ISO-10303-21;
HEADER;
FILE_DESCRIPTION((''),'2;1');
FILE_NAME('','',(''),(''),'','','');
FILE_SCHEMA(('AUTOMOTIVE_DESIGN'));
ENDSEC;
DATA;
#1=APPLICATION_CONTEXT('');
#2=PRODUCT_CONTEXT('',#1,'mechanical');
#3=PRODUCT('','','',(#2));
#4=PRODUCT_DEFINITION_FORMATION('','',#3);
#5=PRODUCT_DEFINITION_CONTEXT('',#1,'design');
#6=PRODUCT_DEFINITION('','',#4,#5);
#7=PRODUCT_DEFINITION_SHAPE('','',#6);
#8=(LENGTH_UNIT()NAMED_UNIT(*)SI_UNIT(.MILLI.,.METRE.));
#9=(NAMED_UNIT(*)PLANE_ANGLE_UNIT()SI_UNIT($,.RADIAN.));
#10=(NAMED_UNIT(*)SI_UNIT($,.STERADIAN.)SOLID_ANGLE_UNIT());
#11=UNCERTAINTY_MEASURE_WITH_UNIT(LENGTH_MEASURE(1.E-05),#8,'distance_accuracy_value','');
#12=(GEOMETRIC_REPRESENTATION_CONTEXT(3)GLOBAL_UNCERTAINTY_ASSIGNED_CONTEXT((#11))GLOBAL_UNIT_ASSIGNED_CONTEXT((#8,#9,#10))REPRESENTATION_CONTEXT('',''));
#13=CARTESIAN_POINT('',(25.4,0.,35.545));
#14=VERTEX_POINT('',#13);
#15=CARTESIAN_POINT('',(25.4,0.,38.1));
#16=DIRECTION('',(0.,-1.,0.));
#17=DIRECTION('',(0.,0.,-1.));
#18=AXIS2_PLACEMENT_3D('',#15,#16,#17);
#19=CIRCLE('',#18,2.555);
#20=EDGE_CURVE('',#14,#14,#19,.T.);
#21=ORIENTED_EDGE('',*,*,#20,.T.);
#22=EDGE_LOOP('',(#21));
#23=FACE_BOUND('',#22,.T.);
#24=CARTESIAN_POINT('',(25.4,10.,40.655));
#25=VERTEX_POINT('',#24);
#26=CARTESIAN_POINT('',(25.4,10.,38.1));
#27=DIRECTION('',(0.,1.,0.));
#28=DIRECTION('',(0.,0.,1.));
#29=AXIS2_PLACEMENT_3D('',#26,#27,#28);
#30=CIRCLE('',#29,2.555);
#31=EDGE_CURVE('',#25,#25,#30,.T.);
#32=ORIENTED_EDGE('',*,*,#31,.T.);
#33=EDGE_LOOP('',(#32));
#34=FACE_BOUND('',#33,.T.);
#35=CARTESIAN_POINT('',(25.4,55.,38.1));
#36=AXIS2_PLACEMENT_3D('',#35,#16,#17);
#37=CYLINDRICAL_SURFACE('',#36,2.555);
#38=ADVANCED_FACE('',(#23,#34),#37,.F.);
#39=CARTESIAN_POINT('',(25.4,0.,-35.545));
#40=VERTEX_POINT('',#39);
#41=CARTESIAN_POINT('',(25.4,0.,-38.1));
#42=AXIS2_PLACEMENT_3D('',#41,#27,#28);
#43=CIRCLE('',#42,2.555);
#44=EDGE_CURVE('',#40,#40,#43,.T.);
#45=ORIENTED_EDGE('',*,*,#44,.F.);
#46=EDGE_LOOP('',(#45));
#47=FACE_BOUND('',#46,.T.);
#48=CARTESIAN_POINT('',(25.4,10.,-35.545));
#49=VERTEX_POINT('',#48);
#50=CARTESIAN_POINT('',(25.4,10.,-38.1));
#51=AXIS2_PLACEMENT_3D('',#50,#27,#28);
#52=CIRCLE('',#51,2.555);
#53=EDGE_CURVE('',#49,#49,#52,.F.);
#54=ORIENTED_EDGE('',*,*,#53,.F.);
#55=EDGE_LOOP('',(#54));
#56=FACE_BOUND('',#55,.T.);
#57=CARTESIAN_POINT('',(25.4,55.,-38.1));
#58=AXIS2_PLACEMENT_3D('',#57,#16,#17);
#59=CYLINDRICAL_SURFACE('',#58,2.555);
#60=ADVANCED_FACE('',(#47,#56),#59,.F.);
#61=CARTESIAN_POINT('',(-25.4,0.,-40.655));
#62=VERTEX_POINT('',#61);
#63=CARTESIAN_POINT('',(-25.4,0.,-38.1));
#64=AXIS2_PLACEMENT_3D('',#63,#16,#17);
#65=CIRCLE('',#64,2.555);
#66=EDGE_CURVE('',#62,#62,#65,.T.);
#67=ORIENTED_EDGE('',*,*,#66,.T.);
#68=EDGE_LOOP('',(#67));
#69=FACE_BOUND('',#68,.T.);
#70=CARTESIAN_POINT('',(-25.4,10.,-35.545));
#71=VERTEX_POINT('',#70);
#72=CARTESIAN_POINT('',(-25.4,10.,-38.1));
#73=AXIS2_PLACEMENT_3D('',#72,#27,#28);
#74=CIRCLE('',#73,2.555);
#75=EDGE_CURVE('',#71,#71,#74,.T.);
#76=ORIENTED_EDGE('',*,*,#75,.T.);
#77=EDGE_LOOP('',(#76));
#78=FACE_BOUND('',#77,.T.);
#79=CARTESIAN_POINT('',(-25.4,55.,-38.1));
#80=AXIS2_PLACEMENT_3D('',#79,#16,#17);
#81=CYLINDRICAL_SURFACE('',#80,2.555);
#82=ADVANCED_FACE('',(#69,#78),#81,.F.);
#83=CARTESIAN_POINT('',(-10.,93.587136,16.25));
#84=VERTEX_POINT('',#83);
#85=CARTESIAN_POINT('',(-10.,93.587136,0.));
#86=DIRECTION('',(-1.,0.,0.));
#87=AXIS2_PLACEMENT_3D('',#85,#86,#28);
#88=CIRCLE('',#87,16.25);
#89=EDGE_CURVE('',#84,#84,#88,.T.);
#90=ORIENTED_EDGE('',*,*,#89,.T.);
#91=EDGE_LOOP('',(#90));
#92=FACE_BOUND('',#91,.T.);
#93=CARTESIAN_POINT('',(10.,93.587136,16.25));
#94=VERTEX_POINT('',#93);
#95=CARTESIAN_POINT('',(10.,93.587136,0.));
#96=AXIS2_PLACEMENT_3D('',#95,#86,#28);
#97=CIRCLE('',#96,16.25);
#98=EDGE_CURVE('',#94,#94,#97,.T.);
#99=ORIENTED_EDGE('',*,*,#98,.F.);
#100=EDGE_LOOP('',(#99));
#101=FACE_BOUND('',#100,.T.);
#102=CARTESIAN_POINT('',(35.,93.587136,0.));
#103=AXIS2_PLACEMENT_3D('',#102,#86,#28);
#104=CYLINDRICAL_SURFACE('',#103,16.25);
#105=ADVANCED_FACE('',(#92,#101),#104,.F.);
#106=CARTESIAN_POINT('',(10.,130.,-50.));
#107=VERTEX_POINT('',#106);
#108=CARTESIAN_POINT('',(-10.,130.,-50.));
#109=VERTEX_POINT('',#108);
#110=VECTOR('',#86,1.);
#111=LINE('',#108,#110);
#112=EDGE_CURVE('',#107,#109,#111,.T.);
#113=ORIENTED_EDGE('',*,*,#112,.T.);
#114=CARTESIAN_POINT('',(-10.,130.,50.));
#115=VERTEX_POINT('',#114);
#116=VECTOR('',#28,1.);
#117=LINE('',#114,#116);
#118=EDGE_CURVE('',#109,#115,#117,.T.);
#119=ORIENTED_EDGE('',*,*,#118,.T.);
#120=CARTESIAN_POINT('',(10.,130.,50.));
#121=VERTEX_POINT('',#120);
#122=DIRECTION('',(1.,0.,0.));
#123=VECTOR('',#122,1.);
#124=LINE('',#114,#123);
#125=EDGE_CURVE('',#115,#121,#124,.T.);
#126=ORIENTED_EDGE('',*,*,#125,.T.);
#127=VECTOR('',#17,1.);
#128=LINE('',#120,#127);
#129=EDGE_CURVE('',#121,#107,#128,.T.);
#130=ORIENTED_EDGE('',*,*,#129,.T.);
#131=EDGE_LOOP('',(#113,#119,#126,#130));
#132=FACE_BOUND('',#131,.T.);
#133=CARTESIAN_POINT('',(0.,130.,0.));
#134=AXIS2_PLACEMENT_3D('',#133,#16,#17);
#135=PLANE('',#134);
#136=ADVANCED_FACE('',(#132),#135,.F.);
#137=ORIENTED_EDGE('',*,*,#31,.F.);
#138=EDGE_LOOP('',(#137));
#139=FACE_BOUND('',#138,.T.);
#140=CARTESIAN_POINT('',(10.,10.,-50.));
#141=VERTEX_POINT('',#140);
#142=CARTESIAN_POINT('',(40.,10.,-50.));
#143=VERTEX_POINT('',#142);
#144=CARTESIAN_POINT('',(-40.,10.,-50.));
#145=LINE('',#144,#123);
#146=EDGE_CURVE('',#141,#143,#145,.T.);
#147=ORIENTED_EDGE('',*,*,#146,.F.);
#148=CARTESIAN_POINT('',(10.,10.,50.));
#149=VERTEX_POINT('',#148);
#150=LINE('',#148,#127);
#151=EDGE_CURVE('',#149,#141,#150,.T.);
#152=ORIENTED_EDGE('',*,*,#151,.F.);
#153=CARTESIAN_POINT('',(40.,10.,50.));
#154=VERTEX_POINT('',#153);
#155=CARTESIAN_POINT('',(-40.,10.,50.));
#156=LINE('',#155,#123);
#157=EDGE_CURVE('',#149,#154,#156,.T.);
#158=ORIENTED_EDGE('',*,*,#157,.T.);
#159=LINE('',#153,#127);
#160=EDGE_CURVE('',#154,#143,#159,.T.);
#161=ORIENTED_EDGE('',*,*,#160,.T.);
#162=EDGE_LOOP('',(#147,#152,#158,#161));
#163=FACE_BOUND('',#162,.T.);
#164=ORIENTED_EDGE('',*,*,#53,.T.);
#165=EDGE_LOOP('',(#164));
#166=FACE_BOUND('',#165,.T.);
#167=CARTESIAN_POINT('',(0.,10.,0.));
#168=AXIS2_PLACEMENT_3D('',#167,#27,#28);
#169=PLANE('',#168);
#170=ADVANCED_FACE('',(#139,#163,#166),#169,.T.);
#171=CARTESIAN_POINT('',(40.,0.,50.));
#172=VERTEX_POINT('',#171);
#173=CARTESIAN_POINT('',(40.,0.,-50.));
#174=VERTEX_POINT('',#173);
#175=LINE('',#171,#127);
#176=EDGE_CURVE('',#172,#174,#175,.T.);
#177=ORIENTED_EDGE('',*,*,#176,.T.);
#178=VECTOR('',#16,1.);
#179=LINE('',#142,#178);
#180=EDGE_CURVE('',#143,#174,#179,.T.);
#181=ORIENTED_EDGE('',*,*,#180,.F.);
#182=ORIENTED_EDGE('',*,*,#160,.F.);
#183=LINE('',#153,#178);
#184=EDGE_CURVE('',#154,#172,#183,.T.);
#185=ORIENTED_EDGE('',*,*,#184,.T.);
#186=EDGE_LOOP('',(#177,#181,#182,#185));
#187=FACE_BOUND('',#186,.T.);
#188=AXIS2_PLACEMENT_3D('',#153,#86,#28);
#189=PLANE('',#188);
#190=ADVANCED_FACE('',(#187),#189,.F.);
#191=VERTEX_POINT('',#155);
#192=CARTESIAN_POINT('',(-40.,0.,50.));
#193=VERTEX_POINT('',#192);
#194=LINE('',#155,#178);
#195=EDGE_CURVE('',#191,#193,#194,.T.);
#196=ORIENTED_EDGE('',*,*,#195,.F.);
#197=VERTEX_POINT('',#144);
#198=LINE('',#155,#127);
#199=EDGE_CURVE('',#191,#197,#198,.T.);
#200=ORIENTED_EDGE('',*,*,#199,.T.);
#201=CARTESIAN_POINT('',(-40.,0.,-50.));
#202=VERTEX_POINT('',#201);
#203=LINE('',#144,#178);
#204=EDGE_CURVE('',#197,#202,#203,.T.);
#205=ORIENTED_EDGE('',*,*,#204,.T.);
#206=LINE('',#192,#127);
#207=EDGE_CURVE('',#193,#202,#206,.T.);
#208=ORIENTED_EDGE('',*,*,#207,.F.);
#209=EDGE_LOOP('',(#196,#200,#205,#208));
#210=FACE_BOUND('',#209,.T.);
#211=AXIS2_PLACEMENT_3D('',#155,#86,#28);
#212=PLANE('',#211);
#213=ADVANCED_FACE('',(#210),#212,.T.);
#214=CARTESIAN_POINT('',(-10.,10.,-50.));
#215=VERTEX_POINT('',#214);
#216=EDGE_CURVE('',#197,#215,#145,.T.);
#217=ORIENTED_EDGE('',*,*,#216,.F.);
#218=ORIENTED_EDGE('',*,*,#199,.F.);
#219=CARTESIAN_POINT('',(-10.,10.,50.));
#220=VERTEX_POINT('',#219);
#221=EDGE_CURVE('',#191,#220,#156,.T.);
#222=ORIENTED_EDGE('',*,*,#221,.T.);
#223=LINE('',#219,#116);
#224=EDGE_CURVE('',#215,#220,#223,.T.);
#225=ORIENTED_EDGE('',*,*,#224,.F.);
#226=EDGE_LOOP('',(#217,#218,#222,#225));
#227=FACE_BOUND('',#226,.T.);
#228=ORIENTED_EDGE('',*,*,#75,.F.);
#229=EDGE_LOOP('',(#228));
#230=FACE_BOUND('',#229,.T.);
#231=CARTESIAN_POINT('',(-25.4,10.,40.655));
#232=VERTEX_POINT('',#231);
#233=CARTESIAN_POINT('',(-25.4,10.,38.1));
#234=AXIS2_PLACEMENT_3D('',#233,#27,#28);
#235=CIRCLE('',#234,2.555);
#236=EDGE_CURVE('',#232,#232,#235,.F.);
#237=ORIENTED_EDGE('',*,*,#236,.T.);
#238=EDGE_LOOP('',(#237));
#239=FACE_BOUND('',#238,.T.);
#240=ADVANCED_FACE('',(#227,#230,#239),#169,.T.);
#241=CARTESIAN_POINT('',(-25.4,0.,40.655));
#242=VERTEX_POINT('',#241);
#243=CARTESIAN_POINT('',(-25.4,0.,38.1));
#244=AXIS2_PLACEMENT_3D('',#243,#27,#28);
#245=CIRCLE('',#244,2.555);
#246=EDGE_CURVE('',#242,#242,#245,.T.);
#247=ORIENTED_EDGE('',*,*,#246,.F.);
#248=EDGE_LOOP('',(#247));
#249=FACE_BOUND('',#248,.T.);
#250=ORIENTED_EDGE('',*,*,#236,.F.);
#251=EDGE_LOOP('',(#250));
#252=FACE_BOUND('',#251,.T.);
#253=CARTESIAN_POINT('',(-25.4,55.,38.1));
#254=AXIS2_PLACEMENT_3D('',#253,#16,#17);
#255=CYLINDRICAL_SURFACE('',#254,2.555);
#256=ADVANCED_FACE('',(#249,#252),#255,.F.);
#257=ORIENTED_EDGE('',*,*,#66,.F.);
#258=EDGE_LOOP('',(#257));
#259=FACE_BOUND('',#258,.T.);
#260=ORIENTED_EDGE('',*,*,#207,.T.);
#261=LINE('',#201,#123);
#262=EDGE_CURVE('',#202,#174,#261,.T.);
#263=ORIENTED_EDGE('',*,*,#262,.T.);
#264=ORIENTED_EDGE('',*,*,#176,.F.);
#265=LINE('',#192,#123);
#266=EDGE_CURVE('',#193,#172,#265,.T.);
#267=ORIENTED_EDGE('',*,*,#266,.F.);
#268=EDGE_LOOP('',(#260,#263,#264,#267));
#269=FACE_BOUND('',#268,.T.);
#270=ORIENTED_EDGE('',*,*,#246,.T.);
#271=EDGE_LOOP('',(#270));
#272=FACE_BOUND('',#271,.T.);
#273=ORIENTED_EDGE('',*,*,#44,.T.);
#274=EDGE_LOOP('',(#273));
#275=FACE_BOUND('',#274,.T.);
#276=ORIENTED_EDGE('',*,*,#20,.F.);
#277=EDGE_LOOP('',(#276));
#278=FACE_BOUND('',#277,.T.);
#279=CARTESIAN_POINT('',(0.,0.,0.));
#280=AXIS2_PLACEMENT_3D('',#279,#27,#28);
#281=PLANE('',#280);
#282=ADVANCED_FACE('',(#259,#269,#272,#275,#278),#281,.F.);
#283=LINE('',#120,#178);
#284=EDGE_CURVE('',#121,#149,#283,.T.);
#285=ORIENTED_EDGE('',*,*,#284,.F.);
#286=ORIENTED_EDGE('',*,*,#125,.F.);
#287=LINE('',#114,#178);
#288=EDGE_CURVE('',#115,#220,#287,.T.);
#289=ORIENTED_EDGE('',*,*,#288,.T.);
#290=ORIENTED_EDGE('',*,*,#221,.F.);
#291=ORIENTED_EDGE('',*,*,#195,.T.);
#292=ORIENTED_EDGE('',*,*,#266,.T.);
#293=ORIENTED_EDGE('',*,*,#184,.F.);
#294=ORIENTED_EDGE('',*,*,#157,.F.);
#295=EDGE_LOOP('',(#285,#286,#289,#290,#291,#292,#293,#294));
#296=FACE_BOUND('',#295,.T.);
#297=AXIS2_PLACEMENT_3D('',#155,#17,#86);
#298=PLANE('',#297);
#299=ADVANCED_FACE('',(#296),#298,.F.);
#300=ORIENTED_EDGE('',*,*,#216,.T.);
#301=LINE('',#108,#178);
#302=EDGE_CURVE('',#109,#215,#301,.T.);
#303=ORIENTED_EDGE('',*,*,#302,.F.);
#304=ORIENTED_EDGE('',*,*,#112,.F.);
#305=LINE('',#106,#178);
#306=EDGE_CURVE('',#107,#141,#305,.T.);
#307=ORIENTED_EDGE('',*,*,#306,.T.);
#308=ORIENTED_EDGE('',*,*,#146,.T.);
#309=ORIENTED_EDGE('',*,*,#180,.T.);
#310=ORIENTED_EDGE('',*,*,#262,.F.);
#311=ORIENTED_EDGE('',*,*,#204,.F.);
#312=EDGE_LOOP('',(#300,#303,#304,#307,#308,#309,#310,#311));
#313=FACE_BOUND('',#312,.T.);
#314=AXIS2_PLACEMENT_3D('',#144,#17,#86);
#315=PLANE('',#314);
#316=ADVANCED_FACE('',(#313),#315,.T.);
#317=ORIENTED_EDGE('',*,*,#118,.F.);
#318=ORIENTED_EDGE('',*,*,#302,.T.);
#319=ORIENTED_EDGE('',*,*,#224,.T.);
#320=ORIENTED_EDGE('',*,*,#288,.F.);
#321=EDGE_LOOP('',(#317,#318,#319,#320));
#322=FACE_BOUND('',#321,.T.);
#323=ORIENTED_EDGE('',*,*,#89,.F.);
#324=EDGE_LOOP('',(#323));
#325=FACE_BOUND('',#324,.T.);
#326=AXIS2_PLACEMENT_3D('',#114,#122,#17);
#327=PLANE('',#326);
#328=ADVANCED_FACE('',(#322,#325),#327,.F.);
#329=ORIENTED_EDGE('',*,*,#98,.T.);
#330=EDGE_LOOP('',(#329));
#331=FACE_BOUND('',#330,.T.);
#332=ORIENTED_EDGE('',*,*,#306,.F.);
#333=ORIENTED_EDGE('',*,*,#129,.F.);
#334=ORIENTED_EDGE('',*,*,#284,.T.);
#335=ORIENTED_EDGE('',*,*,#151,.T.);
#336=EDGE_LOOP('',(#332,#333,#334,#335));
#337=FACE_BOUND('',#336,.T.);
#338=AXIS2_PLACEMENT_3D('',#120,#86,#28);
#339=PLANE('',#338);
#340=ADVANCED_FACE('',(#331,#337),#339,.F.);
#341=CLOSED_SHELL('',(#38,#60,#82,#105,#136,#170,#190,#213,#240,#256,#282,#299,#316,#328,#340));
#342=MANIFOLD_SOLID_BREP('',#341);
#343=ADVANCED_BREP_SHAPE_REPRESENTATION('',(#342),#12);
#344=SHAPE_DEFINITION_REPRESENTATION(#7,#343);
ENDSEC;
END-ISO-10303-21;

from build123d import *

# Parameters (mm, degrees)
SKETCH2_W           = 80
SKETCH2_H           = 100
BOSS_EXTRUDE1_DEPTH = 10
SKETCH3_W           = 20
SKETCH3_H           = 100
BOSS_EXTRUDE2_DEPTH = 120
SKETCH5_R           = 2.555
CUT_EXTRUDE2_DEPTH  = 55
SKETCH4_R           = 16.25
CUT_EXTRUDE4_DEPTH  = 45


with BuildPart() as part:
    # Sketch2 → Boss-Extrude1 (new body)
    with BuildSketch(Plane(origin=(0, 0, 0), x_dir=(1, 0, 0), z_dir=(0, 1, 0))):
        Rectangle(SKETCH2_W, SKETCH2_H)
    extrude(amount=BOSS_EXTRUDE1_DEPTH)

    # Sketch3 → Boss-Extrude2 (add)
    with BuildSketch(Plane(origin=(0, 10, 0), x_dir=(1, 0, 0), z_dir=(0, 1, 0))):
        Rectangle(SKETCH3_W, SKETCH3_H)
    extrude(amount=BOSS_EXTRUDE2_DEPTH)

    # Sketch5 → Cut-Extrude2 (cut)
    with BuildSketch(Plane.XZ):
        with Locations((-25.4, -38.1)):
            Circle(SKETCH5_R)
        with Locations((25.4, -38.1)):
            Circle(SKETCH5_R)
        with Locations((-25.4, 38.1)):
            Circle(SKETCH5_R)
        with Locations((25.4, 38.1)):
            Circle(SKETCH5_R)
    extrude(amount=-CUT_EXTRUDE2_DEPTH, mode=Mode.SUBTRACT)

    # Sketch4 → Cut-Extrude4 (cut)
    with BuildSketch(Plane.ZY.offset(10)):
        with Locations((0, 93.587135628)):
            Circle(SKETCH4_R)
    extrude(amount=-CUT_EXTRUDE4_DEPTH, mode=Mode.SUBTRACT)


solid = part.part
